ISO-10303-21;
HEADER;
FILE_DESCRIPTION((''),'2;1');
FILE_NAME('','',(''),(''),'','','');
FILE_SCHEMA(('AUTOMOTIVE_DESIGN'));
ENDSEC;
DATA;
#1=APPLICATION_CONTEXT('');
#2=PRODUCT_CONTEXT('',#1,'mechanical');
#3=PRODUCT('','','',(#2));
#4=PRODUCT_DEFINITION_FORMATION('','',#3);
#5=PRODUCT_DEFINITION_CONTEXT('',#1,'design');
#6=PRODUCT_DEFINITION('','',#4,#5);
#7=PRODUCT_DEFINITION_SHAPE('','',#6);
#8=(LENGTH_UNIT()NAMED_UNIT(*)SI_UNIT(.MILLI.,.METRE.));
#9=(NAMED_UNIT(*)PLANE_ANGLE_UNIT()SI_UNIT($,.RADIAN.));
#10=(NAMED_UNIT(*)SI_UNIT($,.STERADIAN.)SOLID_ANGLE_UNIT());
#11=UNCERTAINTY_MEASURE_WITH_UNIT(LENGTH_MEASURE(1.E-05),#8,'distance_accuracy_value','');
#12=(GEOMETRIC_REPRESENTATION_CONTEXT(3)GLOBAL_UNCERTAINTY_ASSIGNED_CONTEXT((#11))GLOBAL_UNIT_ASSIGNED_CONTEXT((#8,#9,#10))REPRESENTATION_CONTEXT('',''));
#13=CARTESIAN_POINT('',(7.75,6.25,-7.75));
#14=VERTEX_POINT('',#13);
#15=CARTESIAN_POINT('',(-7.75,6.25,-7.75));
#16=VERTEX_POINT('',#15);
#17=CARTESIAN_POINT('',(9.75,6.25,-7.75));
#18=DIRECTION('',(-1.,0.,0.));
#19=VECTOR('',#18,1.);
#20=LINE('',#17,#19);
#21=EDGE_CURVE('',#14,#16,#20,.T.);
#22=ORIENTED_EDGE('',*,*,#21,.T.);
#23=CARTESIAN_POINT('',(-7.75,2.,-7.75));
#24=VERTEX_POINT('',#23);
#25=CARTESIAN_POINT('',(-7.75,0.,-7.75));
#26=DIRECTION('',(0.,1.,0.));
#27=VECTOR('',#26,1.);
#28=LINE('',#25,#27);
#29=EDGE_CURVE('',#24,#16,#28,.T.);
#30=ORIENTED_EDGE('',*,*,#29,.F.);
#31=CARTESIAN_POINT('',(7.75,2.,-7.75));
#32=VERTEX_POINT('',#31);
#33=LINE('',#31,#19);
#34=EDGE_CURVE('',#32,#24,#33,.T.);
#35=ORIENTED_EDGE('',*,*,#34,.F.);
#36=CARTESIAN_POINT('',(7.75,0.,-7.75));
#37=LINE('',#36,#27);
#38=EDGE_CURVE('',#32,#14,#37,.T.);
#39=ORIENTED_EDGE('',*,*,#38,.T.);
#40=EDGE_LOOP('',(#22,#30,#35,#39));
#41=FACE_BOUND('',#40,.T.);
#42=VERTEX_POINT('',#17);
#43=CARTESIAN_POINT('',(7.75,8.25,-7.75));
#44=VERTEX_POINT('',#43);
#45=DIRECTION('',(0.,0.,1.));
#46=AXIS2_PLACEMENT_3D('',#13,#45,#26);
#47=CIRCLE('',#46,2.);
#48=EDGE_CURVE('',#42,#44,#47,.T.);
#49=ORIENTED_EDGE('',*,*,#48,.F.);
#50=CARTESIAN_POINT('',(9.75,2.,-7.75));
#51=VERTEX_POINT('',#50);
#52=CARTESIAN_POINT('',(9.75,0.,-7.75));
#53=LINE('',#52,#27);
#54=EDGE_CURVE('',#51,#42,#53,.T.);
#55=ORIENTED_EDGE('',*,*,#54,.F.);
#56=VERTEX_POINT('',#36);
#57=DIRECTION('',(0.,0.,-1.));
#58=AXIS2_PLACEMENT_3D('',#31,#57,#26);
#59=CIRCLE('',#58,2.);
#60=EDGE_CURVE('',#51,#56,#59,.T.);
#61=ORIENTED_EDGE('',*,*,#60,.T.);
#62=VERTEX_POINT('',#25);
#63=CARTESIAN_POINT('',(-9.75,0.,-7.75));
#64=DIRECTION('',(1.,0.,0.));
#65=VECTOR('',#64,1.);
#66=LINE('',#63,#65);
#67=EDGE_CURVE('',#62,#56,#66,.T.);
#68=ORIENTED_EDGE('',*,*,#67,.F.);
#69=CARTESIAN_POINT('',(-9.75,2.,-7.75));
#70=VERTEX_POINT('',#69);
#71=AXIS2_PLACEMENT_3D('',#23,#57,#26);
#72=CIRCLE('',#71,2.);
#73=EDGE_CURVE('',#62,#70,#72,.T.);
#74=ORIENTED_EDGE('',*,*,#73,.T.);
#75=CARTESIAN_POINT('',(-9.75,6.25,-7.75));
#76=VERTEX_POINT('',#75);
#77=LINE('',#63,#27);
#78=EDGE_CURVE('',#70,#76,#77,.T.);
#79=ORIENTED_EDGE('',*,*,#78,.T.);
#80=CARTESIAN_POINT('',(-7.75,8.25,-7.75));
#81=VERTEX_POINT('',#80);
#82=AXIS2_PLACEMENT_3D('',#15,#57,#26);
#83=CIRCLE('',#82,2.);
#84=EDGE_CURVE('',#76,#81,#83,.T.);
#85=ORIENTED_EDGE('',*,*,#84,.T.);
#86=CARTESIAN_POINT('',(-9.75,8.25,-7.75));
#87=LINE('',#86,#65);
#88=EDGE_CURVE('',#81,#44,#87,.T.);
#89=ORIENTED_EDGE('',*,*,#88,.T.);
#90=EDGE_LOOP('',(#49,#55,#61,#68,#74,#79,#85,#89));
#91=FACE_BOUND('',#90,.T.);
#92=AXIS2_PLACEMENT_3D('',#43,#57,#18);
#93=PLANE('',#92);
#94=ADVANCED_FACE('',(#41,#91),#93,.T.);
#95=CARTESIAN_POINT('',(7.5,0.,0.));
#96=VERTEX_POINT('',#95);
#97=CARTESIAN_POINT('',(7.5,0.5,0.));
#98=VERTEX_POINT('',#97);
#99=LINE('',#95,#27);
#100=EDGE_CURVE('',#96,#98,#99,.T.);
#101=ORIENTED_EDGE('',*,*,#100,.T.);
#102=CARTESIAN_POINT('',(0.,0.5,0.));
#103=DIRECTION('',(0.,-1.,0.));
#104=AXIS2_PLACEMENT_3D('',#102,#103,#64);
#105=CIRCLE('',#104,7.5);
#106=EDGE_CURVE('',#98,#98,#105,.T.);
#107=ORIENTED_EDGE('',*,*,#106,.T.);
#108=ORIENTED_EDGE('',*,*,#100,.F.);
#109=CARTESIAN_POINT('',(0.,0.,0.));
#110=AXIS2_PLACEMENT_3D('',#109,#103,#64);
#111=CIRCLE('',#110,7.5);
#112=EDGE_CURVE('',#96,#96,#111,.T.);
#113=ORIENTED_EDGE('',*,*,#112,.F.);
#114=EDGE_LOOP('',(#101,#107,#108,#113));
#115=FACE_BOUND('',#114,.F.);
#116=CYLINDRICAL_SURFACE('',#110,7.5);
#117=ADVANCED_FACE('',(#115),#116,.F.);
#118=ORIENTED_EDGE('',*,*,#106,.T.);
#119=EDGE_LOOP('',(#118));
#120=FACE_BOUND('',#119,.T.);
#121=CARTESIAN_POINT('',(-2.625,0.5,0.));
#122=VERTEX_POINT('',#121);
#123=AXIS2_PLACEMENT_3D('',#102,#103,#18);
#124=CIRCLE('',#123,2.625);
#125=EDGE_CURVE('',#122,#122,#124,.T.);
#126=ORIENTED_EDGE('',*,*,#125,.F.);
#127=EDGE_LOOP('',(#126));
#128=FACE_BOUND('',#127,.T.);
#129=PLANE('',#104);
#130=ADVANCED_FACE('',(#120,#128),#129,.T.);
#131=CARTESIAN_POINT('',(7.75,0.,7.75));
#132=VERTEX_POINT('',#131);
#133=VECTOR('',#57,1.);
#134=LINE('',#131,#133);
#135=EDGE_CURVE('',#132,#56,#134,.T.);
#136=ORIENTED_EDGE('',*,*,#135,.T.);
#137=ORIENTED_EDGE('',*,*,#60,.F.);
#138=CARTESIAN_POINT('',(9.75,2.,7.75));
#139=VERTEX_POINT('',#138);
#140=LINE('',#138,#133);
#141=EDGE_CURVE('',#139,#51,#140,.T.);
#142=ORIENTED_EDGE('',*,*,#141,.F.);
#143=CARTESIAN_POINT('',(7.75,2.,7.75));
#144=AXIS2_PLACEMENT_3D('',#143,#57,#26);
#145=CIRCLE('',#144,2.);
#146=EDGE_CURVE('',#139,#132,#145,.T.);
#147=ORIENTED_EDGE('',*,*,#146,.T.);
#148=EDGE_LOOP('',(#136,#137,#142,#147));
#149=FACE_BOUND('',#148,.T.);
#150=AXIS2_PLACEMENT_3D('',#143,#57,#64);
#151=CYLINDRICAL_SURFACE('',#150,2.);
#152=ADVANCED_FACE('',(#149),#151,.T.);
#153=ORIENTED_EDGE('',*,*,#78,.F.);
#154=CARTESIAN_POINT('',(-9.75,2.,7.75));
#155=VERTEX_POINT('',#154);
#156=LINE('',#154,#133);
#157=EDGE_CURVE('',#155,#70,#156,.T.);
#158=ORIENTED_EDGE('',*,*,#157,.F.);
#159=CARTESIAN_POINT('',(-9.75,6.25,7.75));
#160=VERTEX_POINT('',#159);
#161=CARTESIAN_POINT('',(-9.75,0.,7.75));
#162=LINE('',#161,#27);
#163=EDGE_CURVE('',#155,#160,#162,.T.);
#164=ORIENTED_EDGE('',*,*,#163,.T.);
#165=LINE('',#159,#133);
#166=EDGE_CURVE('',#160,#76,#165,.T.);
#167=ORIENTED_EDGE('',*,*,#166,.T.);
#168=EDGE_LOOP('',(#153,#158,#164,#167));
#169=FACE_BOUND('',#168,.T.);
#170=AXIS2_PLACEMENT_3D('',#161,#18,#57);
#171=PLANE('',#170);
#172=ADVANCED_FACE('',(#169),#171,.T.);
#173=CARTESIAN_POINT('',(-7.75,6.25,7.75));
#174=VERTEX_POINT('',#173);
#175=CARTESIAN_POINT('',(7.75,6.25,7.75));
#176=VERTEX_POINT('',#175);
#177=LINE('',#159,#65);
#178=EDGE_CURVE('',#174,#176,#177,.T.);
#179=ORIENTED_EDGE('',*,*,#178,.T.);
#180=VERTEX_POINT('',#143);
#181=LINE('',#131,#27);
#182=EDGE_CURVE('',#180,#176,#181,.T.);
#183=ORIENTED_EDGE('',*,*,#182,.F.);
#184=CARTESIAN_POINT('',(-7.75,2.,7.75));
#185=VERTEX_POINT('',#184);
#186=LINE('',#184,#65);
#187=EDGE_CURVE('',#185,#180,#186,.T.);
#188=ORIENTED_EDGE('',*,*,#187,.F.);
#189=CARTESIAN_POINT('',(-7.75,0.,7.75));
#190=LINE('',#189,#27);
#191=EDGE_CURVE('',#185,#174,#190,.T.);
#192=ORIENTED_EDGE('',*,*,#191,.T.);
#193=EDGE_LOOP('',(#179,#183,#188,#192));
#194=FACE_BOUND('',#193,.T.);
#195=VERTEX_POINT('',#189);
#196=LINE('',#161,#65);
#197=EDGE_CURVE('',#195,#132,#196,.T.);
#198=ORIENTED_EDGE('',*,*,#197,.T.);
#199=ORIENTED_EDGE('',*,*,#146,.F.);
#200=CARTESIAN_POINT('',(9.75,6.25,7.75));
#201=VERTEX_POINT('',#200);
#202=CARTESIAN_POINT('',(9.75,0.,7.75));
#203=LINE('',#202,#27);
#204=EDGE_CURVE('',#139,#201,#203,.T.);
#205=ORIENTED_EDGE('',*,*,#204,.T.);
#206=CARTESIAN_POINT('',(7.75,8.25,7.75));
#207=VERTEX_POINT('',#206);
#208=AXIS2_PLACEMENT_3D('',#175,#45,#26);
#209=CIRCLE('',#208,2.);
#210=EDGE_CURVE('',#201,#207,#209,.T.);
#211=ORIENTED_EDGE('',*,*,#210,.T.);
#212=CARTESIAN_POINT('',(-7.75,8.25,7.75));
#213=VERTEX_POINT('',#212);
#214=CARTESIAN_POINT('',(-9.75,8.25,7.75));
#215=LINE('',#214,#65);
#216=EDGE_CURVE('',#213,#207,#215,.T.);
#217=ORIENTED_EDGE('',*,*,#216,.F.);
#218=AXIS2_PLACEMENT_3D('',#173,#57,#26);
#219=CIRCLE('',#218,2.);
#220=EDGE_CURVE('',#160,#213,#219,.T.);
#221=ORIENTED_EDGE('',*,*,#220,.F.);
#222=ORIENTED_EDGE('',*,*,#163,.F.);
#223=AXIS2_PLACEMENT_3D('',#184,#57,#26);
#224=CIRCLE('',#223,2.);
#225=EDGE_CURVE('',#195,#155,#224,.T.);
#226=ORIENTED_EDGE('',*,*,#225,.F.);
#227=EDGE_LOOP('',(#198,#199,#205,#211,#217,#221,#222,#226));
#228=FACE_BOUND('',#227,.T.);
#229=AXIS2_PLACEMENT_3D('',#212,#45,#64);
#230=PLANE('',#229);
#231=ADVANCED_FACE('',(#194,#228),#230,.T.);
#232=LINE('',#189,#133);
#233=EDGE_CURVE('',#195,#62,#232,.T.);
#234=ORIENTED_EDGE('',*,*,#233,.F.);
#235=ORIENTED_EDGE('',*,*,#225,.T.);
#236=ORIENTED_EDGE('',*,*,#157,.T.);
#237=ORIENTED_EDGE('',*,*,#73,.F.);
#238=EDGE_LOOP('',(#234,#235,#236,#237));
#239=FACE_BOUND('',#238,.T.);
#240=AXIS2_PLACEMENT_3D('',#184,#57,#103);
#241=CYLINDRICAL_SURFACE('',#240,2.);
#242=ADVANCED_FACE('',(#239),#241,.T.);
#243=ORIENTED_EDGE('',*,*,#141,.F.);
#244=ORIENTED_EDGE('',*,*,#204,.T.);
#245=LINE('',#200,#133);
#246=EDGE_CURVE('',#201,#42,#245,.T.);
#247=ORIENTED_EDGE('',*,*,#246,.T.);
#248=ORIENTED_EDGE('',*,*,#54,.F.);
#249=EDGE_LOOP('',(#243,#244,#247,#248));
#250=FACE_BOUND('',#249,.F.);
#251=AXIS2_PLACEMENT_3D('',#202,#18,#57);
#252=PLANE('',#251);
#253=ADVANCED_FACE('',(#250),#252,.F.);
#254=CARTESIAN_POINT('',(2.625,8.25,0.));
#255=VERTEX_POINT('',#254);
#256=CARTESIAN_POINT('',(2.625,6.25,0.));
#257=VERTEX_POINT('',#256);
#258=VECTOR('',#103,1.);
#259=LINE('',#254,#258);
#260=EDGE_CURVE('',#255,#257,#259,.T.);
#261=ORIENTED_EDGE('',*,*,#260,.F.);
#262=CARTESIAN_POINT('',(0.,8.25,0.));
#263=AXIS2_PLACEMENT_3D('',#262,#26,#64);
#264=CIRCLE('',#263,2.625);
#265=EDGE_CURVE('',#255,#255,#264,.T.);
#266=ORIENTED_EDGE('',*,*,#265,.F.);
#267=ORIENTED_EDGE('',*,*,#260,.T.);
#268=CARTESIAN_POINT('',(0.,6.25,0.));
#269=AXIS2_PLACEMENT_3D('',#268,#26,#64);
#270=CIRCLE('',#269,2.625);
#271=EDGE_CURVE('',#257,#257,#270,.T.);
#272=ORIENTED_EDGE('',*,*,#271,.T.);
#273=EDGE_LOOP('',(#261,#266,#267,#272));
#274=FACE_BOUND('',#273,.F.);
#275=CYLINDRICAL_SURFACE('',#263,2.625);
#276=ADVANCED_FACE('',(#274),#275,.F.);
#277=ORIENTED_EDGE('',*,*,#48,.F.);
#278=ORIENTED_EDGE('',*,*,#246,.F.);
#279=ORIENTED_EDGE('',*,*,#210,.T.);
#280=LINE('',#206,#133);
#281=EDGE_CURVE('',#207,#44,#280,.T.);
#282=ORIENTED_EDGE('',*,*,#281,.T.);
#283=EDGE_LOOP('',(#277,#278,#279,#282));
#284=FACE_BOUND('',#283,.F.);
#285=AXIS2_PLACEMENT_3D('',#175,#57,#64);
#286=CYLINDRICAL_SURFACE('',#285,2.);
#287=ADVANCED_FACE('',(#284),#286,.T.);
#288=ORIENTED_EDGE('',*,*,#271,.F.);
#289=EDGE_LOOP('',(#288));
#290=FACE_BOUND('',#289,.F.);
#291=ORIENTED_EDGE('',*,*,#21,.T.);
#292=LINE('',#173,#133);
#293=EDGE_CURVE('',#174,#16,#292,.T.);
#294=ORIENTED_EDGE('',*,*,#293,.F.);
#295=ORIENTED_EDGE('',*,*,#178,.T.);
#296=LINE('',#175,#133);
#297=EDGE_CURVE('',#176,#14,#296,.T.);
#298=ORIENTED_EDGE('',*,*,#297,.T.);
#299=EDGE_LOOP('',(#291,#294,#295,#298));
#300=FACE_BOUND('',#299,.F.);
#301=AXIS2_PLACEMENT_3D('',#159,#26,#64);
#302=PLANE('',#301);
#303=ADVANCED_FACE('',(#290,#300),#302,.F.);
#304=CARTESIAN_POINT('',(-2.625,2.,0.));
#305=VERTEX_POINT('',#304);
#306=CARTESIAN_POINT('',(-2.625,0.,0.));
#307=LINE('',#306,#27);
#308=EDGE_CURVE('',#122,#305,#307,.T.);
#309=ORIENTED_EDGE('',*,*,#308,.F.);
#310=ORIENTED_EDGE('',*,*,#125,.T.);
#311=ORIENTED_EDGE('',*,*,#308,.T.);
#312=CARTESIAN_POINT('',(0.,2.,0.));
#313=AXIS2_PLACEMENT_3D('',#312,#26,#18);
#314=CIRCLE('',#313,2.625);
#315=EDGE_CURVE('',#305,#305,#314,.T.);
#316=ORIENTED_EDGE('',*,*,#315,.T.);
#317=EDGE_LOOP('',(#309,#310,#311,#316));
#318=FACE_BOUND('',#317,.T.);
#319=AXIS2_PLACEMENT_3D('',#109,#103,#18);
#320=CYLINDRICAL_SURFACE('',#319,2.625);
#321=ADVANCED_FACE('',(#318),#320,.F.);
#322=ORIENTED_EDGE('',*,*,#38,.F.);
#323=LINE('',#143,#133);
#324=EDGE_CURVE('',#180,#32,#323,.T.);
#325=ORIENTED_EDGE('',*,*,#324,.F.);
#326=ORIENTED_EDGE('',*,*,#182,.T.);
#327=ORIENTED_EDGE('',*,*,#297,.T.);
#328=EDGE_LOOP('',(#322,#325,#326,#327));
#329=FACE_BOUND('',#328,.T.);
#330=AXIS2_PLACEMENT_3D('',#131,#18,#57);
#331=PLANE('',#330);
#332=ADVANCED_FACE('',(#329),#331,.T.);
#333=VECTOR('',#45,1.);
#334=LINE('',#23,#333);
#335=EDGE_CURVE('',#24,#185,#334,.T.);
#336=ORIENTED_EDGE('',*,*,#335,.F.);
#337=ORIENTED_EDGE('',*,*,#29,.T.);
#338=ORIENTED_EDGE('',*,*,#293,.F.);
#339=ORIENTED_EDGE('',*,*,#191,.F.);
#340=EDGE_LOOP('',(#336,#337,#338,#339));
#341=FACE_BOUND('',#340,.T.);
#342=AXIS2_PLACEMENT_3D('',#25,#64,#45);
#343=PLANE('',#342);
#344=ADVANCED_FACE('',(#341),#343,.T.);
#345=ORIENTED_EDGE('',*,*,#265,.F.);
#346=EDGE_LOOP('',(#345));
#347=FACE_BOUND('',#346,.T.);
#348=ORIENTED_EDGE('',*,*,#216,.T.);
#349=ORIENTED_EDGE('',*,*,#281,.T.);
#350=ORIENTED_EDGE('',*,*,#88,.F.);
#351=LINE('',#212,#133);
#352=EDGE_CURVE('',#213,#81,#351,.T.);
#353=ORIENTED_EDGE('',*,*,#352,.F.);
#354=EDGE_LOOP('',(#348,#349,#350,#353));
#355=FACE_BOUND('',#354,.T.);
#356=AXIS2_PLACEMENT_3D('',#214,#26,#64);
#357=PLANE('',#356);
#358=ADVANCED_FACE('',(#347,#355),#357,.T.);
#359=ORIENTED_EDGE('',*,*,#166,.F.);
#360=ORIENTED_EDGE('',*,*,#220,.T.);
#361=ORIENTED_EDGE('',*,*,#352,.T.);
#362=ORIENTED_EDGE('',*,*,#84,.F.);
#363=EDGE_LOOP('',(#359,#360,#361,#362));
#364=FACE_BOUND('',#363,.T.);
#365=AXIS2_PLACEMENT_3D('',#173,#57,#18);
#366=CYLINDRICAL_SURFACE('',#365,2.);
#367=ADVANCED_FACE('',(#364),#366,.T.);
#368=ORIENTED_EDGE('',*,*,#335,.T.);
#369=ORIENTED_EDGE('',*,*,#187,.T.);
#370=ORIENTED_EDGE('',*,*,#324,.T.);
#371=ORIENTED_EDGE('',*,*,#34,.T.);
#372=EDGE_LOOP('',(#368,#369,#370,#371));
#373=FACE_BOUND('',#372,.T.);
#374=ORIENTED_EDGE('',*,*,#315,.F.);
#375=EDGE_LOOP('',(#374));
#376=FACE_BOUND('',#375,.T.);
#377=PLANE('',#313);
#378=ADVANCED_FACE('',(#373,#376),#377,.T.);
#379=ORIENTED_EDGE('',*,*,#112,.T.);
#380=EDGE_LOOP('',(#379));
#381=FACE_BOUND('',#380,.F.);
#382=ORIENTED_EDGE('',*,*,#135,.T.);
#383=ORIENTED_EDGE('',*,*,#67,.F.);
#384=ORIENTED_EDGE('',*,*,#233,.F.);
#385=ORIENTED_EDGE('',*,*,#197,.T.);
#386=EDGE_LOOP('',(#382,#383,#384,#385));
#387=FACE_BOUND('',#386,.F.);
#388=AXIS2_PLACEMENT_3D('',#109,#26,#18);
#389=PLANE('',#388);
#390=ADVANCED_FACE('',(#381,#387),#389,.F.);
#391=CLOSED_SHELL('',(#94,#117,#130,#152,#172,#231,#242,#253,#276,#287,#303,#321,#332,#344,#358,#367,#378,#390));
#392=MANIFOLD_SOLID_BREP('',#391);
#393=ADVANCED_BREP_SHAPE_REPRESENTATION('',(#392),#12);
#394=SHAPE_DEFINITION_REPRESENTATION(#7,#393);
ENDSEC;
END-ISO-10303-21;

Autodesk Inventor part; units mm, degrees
ref_plane "YZ Plane" through (0, 0, 0) normal (1, 0, 0) x (0, 1, 0)
ref_plane "XZ Plane" through (0, 0, 0) normal (0, 1, 0) x (-1, 0, 0)
sketch "Sketch1" plane through (0, 0, 0) normal (0, 1, 0) x (-1, 0, 0)
  line L0 (-7.75, -7.75) -> (7.75, -7.75)
  line L1 (7.75, -7.75) -> (7.75, 7.75)
  line L2 (7.75, 7.75) -> (-7.75, 7.75)
  line L3 (-7.75, 7.75) -> (-7.75, -7.75)
  line L4 (-7.75, -7.75) -> (7.75, 7.75) construction
  line L5 (7.75, -7.75) -> (-7.75, 7.75) construction
  line L6 (7.75, 7.75) -> (9.75, 7.75)
  line L7 (9.75, 7.75) -> (9.75, -7.75)
  line L8 (9.75, -7.75) -> (7.75, -7.75)
  line L9 (7.75, -7.75) -> (7.75, 7.75)
  line L10 (-7.75, 7.75) -> (-9.75, 7.75)
  line L11 (-9.75, 7.75) -> (-9.75, -7.75)
  line L12 (-9.75, -7.75) -> (-7.75, -7.75)
  line L13 (-7.75, -7.75) -> (-7.75, 7.75)
  circle A0 centre (0, 0) radius 2.625
  dimension "d0" = 15.5
  dimension "d1" = 15.5
  dimension "d2" = 2
  dimension "d3" = 2
  dimension "d4" = 5.25
extrude "Extrusion1" add sketch "Sketch1" along normal blind 2 contours L3 L2 L1 L0
extrude "Extrusion2" add sketch "Sketch1" along normal blind 8.25 contours L12 L11 L10 L3 | L1 L6 L7 L8
ref_plane "Work Plane1" through (-9.75, 8.25, 7.75) normal (0, 1, 0) x (1, 0, 0)
sketch "Sketch2" plane through (-9.75, 8.25, 7.75) normal (0, 1, 0) x (1, 0, 0)
  line L0 (0, 0) -> (2, 0) projected
  line L1 (19.5, 15.5) -> (17.5, 15.5) projected
  line L2 (0, 0) -> (19.5, 0)
  line L3 (19.5, 0) -> (19.5, 15.5)
  line L4 (19.5, 15.5) -> (0, 15.5)
  line L5 (0, 15.5) -> (0, 0)
  circle A0 centre (9.75, 7.75) radius 2.625
  line L6 (17.5, 15.5) -> (2, 15.5) projected
  line L7 (0, 0) -> (2, 0)
  line L8 (2, 0) -> (2, 15.5)
  line L9 (2, 15.5) -> (0, 15.5)
  line L10 (0, 15.5) -> (0, 0)
  line L11 (17.5, 0) -> (17.5, 15.5) projected
  line L12 (19.5, 15.5) -> (17.5, 15.5)
  line L13 (17.5, 15.5) -> (17.5, 0)
  line L14 (17.5, 0) -> (19.5, 0)
  line L15 (19.5, 0) -> (19.5, 15.5)
  dimension "d9" = 5.25
extrude "Extrusion3" add sketch "Sketch2" against normal blind 2 contours L8 L4 L11 L2
sketch "Sketch3" plane through (0, 0, 0) normal (0, -1, 0) x (1, 0, 0)
  circle A0 centre (0, 0) radius 7.5
  dimension "d13" = 15
extrude "Extrusion4" cut sketch "Sketch3" against normal blind 0.5
fillet "Fillet2" radius 2 4 edges at (9.75, 8.25, 0) (-9.75, 8.25, 0) (9.75, 0, 0) (-9.75, 0, 0)
